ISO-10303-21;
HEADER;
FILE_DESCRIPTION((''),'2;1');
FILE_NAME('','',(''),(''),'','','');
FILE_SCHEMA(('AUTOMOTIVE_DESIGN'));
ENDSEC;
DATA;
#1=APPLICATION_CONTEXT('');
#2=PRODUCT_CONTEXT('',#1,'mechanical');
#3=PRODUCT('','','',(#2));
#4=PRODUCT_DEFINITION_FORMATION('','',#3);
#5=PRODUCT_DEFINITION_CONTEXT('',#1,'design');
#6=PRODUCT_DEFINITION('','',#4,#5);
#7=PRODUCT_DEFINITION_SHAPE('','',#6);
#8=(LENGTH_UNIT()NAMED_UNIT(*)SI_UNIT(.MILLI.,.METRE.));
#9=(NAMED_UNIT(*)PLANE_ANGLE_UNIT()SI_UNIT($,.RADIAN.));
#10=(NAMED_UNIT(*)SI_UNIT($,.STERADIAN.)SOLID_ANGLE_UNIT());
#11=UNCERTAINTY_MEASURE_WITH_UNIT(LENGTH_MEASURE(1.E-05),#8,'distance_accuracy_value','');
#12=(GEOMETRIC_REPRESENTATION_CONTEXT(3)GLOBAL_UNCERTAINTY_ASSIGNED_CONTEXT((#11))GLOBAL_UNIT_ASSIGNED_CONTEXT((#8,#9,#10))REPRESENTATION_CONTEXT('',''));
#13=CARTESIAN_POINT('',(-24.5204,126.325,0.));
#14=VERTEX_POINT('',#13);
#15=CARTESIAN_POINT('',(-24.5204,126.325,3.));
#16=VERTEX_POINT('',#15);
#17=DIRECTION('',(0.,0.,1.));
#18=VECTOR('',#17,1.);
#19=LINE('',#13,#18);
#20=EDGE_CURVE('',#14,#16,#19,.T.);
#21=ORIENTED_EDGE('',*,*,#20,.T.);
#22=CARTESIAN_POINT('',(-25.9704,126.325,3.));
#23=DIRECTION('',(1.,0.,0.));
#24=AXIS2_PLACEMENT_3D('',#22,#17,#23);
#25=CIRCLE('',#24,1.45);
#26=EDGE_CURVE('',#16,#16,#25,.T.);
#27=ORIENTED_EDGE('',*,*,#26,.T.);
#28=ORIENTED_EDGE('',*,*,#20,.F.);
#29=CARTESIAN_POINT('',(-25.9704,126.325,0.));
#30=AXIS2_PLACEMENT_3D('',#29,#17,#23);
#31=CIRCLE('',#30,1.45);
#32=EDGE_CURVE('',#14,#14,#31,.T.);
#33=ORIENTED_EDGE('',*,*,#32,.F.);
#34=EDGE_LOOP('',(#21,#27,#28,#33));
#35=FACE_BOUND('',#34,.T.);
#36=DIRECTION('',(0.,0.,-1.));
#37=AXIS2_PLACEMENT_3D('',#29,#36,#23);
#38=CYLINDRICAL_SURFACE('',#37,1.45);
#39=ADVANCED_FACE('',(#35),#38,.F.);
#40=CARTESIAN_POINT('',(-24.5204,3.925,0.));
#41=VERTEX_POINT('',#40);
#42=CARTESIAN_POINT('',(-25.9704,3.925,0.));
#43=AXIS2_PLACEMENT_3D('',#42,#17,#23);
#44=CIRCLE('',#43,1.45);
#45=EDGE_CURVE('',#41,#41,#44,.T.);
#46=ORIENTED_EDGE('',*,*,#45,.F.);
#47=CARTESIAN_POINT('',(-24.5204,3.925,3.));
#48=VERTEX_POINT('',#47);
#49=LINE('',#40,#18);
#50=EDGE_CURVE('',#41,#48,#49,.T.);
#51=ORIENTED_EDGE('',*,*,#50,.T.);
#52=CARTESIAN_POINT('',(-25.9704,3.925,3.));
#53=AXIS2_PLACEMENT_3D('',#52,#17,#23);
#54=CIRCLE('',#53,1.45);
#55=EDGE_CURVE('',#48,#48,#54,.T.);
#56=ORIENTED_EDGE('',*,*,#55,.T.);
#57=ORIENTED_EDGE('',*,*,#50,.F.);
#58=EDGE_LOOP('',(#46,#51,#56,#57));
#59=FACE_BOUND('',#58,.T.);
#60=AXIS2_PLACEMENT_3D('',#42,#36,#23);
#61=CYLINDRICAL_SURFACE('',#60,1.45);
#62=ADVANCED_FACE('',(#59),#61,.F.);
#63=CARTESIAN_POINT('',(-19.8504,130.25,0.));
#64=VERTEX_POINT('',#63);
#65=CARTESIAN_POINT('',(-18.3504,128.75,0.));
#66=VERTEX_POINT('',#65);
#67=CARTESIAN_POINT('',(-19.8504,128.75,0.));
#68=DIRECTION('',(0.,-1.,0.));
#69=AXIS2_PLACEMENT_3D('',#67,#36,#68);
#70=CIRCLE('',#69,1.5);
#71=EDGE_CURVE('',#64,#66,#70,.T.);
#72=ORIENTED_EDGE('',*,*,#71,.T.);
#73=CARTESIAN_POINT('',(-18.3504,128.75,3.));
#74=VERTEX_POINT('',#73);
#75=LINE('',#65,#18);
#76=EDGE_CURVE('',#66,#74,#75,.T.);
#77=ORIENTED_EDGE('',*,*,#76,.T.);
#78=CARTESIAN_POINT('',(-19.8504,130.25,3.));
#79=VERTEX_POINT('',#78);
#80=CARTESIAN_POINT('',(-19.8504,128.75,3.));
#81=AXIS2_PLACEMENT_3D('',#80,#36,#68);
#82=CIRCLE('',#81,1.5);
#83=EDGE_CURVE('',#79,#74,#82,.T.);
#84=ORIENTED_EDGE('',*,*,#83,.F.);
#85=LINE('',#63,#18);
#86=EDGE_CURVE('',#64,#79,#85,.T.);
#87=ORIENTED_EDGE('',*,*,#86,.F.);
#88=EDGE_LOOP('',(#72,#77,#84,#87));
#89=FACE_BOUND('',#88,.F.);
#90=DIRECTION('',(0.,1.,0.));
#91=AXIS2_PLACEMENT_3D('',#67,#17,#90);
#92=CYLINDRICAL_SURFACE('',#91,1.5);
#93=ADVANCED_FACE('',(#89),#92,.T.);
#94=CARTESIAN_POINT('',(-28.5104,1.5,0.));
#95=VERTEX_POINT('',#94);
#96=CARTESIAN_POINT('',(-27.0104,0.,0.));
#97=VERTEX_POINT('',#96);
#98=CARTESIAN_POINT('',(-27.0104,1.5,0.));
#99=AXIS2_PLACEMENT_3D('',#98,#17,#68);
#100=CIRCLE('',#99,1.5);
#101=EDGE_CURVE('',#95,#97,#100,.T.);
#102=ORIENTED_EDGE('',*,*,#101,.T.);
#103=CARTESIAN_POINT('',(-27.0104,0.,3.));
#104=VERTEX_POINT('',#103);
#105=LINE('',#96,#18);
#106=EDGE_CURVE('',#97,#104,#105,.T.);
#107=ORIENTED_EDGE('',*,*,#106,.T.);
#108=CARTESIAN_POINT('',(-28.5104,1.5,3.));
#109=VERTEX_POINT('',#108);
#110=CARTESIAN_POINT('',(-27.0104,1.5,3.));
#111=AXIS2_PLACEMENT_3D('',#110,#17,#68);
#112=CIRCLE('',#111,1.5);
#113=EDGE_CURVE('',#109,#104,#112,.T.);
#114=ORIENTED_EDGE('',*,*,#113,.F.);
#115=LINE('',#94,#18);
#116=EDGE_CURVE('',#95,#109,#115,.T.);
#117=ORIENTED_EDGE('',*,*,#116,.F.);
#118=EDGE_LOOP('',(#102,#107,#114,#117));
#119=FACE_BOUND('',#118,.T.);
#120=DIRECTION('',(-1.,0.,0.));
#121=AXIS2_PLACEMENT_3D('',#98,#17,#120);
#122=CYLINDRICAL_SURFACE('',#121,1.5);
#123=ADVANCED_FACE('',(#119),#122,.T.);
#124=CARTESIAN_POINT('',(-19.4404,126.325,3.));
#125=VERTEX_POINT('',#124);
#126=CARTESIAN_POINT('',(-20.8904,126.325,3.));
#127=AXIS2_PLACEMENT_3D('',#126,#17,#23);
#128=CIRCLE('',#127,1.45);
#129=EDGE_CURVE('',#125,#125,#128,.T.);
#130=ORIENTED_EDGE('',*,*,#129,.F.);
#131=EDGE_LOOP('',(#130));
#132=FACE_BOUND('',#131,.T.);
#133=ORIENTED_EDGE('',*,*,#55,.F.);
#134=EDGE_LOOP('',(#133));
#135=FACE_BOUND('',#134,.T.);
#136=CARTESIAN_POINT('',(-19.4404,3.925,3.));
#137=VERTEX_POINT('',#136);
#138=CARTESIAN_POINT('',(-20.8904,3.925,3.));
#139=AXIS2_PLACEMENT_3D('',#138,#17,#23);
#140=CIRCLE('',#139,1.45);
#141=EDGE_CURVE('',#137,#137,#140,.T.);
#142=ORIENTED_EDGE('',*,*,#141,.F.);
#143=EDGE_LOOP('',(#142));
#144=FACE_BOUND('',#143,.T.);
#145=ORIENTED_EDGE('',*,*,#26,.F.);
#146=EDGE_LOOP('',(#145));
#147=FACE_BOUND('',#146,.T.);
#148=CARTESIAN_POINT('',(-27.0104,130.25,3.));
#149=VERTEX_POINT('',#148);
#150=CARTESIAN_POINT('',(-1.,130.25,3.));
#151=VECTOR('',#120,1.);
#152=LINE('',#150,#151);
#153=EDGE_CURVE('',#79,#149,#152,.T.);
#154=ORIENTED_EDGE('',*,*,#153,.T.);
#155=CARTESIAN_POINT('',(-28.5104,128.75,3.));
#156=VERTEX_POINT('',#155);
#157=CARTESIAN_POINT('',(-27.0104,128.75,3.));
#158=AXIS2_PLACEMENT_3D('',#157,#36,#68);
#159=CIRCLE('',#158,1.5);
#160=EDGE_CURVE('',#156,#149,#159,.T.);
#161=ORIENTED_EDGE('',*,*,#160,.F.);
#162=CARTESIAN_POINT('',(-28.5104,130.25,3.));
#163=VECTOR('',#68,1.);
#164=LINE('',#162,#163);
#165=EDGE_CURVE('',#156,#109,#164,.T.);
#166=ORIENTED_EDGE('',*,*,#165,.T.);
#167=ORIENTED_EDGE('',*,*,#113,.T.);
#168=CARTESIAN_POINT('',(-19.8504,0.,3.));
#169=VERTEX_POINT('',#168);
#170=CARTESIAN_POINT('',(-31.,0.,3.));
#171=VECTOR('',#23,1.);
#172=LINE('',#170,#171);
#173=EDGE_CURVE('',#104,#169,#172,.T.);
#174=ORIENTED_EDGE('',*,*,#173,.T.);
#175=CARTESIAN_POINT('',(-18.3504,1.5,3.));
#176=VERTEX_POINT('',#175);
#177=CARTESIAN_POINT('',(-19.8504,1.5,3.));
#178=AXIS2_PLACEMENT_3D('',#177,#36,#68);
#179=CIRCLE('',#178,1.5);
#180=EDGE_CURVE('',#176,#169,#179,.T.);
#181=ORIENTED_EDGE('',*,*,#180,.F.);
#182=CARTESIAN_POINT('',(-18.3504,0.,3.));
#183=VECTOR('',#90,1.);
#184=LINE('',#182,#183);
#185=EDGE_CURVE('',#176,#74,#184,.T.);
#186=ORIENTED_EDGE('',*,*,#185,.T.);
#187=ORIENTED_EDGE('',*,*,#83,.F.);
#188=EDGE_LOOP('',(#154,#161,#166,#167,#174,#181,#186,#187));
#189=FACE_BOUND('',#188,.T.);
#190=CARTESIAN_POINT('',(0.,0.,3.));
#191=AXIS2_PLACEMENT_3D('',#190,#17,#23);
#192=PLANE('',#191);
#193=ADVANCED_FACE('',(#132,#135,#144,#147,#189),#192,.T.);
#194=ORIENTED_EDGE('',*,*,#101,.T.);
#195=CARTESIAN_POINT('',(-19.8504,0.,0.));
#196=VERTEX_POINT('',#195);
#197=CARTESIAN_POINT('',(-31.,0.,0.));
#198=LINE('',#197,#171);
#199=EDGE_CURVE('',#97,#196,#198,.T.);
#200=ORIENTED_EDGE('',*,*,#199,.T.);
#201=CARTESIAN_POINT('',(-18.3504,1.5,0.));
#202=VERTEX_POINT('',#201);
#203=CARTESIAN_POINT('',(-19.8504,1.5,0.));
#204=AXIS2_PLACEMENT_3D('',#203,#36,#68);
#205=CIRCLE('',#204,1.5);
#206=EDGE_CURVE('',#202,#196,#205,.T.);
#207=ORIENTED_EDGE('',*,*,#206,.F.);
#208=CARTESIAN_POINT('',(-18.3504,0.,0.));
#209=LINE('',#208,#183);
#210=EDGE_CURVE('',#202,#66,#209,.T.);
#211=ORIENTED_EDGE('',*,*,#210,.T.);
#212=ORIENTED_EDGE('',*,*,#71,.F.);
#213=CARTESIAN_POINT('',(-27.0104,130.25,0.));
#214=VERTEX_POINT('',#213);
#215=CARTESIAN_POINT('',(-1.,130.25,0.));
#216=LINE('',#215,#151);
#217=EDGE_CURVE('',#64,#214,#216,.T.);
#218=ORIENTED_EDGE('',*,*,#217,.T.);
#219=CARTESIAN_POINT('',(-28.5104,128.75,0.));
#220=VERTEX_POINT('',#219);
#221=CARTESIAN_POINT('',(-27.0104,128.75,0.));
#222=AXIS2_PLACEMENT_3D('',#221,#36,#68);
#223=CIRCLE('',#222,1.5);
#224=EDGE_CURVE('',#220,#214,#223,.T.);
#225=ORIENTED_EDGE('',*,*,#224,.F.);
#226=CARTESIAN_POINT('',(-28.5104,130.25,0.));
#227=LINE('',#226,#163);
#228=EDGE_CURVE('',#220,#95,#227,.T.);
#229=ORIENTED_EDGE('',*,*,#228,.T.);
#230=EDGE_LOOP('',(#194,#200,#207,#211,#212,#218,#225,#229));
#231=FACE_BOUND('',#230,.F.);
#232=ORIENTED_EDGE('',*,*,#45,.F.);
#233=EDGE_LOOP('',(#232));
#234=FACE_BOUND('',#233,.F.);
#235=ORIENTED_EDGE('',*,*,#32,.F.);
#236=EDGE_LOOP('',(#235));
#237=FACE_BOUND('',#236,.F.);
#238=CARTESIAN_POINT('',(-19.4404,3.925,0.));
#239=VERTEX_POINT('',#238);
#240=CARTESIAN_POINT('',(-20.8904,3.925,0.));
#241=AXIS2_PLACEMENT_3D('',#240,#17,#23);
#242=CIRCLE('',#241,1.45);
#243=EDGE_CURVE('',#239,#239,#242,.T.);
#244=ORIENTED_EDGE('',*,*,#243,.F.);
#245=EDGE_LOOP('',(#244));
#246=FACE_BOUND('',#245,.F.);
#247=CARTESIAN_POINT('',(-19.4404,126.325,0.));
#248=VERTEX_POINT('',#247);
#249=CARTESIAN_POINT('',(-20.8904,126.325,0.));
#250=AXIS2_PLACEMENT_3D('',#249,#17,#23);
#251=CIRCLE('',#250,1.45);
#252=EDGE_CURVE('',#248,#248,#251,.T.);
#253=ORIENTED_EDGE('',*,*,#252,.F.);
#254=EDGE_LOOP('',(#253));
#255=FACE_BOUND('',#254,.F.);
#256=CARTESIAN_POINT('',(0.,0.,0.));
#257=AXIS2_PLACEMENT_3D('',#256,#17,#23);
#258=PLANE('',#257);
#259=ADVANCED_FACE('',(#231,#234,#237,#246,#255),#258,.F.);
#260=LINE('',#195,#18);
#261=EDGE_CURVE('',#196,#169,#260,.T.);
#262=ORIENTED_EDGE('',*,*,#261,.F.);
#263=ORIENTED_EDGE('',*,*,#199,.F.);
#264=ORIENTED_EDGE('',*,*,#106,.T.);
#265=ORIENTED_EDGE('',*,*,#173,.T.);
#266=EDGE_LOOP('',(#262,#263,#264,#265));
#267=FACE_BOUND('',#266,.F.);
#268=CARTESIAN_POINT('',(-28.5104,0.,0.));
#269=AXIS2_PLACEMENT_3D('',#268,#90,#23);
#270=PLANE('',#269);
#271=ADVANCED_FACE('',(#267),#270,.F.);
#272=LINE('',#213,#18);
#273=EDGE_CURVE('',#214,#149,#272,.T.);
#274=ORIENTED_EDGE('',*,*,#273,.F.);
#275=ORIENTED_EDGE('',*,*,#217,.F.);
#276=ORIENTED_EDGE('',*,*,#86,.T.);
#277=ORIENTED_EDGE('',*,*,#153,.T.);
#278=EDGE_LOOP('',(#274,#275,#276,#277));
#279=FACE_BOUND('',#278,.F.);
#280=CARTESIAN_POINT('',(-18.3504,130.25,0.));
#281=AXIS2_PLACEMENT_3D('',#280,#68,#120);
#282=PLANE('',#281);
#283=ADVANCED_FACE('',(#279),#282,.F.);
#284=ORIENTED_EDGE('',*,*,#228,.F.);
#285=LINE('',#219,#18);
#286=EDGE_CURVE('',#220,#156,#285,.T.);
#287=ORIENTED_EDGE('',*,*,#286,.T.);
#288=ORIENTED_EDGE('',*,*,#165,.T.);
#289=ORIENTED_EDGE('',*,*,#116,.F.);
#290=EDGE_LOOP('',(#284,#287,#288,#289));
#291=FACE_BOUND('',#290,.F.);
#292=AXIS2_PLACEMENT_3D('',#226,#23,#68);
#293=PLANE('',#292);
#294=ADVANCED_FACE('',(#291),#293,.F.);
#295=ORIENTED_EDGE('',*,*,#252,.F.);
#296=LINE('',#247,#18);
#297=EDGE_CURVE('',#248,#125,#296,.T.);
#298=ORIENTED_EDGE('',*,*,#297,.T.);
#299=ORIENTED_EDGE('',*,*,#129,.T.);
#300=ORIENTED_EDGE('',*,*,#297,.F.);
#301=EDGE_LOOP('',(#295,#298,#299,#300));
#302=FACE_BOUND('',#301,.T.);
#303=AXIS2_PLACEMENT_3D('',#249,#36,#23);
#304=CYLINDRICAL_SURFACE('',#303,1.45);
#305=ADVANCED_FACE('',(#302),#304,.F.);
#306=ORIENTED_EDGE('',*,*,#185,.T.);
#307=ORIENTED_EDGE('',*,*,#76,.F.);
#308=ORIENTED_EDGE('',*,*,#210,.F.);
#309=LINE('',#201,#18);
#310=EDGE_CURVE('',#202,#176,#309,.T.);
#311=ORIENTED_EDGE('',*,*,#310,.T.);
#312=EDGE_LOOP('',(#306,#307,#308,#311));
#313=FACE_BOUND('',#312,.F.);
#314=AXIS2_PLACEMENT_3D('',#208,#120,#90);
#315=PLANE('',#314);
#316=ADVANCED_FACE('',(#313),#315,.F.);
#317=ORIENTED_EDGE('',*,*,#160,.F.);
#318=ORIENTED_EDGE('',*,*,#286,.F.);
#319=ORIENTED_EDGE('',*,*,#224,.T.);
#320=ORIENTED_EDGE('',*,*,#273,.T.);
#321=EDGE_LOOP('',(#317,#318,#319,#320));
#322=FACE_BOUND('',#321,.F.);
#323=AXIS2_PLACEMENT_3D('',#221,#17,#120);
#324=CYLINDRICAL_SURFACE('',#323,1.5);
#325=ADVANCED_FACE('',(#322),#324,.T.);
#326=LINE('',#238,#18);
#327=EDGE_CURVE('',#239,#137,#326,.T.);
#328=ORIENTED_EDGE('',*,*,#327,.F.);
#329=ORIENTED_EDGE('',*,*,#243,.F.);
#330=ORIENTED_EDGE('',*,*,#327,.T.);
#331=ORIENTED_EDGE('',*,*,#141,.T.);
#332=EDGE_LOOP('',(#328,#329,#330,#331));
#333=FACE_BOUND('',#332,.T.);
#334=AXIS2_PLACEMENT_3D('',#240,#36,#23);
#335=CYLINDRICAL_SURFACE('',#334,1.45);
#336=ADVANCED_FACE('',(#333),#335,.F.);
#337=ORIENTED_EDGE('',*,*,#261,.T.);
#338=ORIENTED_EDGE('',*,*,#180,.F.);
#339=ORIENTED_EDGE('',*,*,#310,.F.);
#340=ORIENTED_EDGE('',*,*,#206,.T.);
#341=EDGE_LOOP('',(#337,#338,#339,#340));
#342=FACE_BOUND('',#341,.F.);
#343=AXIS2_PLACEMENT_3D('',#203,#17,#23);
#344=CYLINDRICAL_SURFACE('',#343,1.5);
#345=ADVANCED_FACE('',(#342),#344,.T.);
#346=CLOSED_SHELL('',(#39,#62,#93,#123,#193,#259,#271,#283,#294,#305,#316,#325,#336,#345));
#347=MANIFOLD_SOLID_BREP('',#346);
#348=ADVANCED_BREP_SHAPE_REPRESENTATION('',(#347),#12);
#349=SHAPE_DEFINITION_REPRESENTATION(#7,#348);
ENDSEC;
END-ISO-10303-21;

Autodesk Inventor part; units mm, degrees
ref_plane "YZ Plane" through (0, 0, 0) normal (1, 0, 0) x (0, 1, 0)
ref_plane "XZ Plane" through (0, 0, 0) normal (0, 1, 0) x (-1, 0, 0)
ref_plane "XY Plane" through (0, 0, 0) normal (0, 0, 1) x (1, 0, 0)
ref_plane "Work Plane1" through (0, 0, 0) normal (0, 0, 1) x (1, 0, 0)
sketch "Sketch1" plane through (0, 0, 0) normal (0, 0, 1) x (1, 0, 0)
  line L0 (-31, 2.95) -> (-31, 4.9) projected
  line L1 (-31, 0) -> (-1, 0) projected
  line L2 (-1, 130.25) -> (-31, 130.25) projected
  line L3 (-1, 130.05) -> (-1, 128.3) projected
  line L4 (-1, 0.2) -> (-1, 1.95) projected
  line L5 (-28.5104, 0) -> (-18.3504, 0)
  line L6 (-18.3504, 0) -> (-18.3504, 130.25)
  line L7 (-18.3504, 130.25) -> (-28.5104, 130.25)
  line L8 (-28.5104, 130.25) -> (-28.5104, 0)
  line L9 (-28.5104, 3.925) -> (-18.3504, 3.925) construction
  line L10 (-28.5104, 126.325) -> (-18.3504, 126.325) construction
  circle A0 centre (-25.9704, 3.925) radius 1.45
  circle A1 centre (-20.8904, 3.925) radius 1.45
  line L11 (-23.4304, 3.925) -> (-23.4304, 126.325) construction
  line L12 (-23.4304, 126.325) -> (-23.4304, 248.725) construction
  circle A2 centre (-25.9704, 126.325) radius 1.45
  circle A3 centre (-20.8904, 126.325) radius 1.45
  point P0 (0, 0)
  dimension "d0" = 10.16
  dimension "d1" = 3.925
  dimension "d2" = 3.925
  dimension "d3" = 2.9
  dimension "d4" = 2.9
  dimension "d5" = 2.54
  dimension "d6" = 2.54
  dimension "d9" = 122.4
extrude "Extrusion1" add sketch "Sketch1" along normal blind 3
fillet "Fillet1" radius 1.5 4 edges at (-28.5104, 0, 1.5) (-28.5104, 130.25, 1.5) (-18.3504, 130.25, 1.5) (-18.3504, 0, 1.5)
properties part number "Schroff_Back_Stabilizer"
